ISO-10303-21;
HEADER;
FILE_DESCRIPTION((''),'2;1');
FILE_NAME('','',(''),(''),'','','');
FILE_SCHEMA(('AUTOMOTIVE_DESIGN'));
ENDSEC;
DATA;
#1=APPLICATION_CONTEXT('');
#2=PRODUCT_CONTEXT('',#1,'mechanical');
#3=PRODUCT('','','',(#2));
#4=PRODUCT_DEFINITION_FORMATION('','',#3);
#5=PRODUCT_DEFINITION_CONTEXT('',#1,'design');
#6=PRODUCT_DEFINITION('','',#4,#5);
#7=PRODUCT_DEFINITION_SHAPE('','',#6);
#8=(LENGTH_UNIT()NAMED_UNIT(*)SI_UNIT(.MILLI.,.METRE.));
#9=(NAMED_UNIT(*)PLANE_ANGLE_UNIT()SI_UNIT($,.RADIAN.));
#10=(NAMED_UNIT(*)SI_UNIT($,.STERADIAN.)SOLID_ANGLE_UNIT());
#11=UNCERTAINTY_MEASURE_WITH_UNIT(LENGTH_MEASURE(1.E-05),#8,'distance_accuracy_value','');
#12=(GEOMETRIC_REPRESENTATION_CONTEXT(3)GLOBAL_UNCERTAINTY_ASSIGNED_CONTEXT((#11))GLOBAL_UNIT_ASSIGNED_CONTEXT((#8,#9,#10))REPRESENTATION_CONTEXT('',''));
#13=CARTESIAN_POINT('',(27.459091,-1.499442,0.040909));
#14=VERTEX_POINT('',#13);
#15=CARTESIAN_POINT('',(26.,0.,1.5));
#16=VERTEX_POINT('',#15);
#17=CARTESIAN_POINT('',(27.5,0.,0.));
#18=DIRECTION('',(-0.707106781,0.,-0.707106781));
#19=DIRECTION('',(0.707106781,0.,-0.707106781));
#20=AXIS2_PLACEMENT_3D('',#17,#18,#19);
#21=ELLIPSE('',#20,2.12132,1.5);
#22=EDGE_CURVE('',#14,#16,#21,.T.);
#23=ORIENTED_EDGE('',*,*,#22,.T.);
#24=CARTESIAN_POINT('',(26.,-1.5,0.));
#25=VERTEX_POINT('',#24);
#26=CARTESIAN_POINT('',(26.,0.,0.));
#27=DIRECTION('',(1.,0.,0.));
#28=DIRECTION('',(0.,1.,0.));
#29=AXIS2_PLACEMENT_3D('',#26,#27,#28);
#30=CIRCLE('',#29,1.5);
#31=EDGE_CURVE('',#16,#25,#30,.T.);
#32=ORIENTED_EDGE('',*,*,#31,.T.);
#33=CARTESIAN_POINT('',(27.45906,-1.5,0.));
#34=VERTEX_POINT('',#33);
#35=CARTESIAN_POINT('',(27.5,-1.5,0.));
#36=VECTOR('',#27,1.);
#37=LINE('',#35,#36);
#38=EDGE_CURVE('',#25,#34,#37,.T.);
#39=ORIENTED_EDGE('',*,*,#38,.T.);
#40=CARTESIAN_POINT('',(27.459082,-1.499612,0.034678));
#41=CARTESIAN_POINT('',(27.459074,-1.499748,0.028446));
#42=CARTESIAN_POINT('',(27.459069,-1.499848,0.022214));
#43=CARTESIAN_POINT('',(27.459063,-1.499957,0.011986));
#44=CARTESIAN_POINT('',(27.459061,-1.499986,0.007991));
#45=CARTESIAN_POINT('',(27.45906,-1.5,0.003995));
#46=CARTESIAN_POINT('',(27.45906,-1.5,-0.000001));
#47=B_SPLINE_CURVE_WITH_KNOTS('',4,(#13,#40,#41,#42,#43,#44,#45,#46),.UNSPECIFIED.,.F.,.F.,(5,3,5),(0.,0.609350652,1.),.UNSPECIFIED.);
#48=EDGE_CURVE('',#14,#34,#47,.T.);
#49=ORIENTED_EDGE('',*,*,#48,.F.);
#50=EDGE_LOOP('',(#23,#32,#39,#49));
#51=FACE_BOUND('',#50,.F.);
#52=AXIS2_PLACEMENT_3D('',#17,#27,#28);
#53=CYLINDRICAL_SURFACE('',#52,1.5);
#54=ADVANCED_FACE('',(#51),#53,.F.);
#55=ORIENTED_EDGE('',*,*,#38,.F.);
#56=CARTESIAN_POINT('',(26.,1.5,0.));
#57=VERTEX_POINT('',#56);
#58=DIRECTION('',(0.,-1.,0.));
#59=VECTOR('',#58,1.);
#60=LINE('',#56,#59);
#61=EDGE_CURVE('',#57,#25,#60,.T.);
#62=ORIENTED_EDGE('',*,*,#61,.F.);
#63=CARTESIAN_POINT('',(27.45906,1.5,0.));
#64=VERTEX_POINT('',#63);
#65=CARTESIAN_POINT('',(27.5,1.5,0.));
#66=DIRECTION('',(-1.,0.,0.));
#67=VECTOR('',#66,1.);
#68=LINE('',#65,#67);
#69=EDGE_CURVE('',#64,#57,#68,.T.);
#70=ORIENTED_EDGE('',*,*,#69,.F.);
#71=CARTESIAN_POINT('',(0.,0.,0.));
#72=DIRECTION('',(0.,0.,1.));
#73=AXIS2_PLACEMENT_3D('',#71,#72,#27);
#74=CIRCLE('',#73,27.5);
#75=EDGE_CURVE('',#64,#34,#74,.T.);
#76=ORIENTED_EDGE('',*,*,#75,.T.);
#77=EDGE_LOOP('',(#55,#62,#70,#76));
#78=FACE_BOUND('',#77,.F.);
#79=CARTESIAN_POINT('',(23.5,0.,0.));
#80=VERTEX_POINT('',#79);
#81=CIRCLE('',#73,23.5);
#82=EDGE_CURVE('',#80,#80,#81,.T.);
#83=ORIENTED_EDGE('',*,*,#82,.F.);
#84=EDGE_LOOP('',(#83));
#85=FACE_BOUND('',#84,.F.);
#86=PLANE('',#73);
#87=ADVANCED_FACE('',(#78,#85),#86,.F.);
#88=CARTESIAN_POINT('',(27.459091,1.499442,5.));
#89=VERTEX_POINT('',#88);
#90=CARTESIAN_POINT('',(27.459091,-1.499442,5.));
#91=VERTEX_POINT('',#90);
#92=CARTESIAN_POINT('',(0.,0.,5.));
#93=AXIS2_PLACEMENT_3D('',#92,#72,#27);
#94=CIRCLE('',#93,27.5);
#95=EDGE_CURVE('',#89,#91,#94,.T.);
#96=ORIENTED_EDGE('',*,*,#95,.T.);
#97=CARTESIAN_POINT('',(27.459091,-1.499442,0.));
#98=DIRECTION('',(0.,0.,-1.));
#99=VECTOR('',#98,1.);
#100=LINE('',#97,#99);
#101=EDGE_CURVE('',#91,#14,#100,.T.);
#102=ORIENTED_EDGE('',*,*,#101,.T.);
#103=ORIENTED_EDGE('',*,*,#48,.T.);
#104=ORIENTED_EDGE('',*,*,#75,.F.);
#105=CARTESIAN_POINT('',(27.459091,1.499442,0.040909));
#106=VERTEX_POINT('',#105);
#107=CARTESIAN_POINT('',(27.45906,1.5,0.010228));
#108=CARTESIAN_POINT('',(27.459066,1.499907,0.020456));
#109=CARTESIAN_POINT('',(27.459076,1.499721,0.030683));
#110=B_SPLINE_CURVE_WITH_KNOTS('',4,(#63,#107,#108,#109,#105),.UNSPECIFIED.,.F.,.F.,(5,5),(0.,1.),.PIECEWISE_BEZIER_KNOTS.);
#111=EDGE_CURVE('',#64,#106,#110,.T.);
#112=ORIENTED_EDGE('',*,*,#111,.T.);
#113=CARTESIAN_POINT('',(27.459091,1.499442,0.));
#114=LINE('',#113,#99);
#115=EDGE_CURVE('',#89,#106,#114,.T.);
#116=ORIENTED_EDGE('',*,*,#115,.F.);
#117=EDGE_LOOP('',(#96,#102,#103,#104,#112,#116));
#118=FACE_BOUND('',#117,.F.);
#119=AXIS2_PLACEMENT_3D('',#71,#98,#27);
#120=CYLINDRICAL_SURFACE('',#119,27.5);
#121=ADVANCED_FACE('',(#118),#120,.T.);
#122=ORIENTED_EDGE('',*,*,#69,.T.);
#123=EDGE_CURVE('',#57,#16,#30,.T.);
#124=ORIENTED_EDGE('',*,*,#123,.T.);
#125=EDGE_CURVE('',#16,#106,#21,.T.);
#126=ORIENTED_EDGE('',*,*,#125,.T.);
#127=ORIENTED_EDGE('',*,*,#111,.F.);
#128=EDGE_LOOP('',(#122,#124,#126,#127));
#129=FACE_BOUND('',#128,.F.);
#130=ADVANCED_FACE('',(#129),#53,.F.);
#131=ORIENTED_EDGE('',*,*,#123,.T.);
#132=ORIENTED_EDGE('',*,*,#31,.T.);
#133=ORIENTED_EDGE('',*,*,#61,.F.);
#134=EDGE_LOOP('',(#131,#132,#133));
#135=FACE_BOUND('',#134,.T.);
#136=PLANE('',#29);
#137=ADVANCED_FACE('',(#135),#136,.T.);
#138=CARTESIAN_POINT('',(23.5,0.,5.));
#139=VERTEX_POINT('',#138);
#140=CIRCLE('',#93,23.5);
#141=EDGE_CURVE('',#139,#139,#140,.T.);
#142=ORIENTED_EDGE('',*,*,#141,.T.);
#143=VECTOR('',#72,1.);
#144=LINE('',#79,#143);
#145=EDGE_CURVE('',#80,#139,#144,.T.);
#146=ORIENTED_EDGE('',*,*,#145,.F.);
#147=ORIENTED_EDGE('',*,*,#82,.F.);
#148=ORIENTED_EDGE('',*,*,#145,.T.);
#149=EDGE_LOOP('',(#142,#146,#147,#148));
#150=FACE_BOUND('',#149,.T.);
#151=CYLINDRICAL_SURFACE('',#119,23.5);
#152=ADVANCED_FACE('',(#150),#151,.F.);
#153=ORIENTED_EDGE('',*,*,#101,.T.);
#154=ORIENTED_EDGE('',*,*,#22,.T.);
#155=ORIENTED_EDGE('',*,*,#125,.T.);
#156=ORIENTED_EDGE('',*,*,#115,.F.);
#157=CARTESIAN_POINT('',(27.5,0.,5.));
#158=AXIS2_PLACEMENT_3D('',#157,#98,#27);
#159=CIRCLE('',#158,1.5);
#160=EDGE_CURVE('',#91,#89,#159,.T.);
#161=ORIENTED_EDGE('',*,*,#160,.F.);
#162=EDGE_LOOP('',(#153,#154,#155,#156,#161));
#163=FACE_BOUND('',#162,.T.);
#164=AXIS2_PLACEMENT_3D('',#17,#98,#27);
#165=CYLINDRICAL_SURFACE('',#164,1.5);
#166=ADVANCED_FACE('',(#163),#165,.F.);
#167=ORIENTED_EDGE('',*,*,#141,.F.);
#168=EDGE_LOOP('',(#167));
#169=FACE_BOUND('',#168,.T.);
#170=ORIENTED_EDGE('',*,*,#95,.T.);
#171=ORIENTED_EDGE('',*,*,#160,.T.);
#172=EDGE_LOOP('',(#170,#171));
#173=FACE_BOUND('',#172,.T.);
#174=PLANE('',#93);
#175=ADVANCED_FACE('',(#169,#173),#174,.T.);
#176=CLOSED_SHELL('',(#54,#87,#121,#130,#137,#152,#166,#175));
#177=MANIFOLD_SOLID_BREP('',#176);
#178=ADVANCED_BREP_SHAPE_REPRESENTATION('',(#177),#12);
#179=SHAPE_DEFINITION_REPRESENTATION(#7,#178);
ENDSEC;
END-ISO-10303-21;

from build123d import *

# Parameters (mm, degrees)
SKETCH_R        = 27.5
SKETCH_R_2      = 23.5
PAD_DEPTH       = 5
SKETCH001_R     = 1.5
POCKET_DEPTH    = 10
SKETCH002_R     = 1.5
POCKET001_DEPTH = 1.5


with BuildPart() as part:
    # Sketch → Pad (new body)
    with BuildSketch(Plane.XY):
        Circle(SKETCH_R)
        Circle(SKETCH_R_2, mode=Mode.SUBTRACT)
    extrude(amount=PAD_DEPTH)

    # Sketch001 → Pocket (cut)
    with BuildSketch(Plane(origin=(27.5, 0, 0), x_dir=(1, 0, 0), z_dir=(0, 0, 1))):
        Circle(SKETCH001_R)
    extrude(amount=POCKET_DEPTH, mode=Mode.SUBTRACT)

    # Sketch002 → Pocket001 (cut)
    with BuildSketch(Plane.YZ.offset(27.5)):
        Circle(SKETCH002_R)
    extrude(amount=-POCKET001_DEPTH, mode=Mode.SUBTRACT)


solid = part.part
